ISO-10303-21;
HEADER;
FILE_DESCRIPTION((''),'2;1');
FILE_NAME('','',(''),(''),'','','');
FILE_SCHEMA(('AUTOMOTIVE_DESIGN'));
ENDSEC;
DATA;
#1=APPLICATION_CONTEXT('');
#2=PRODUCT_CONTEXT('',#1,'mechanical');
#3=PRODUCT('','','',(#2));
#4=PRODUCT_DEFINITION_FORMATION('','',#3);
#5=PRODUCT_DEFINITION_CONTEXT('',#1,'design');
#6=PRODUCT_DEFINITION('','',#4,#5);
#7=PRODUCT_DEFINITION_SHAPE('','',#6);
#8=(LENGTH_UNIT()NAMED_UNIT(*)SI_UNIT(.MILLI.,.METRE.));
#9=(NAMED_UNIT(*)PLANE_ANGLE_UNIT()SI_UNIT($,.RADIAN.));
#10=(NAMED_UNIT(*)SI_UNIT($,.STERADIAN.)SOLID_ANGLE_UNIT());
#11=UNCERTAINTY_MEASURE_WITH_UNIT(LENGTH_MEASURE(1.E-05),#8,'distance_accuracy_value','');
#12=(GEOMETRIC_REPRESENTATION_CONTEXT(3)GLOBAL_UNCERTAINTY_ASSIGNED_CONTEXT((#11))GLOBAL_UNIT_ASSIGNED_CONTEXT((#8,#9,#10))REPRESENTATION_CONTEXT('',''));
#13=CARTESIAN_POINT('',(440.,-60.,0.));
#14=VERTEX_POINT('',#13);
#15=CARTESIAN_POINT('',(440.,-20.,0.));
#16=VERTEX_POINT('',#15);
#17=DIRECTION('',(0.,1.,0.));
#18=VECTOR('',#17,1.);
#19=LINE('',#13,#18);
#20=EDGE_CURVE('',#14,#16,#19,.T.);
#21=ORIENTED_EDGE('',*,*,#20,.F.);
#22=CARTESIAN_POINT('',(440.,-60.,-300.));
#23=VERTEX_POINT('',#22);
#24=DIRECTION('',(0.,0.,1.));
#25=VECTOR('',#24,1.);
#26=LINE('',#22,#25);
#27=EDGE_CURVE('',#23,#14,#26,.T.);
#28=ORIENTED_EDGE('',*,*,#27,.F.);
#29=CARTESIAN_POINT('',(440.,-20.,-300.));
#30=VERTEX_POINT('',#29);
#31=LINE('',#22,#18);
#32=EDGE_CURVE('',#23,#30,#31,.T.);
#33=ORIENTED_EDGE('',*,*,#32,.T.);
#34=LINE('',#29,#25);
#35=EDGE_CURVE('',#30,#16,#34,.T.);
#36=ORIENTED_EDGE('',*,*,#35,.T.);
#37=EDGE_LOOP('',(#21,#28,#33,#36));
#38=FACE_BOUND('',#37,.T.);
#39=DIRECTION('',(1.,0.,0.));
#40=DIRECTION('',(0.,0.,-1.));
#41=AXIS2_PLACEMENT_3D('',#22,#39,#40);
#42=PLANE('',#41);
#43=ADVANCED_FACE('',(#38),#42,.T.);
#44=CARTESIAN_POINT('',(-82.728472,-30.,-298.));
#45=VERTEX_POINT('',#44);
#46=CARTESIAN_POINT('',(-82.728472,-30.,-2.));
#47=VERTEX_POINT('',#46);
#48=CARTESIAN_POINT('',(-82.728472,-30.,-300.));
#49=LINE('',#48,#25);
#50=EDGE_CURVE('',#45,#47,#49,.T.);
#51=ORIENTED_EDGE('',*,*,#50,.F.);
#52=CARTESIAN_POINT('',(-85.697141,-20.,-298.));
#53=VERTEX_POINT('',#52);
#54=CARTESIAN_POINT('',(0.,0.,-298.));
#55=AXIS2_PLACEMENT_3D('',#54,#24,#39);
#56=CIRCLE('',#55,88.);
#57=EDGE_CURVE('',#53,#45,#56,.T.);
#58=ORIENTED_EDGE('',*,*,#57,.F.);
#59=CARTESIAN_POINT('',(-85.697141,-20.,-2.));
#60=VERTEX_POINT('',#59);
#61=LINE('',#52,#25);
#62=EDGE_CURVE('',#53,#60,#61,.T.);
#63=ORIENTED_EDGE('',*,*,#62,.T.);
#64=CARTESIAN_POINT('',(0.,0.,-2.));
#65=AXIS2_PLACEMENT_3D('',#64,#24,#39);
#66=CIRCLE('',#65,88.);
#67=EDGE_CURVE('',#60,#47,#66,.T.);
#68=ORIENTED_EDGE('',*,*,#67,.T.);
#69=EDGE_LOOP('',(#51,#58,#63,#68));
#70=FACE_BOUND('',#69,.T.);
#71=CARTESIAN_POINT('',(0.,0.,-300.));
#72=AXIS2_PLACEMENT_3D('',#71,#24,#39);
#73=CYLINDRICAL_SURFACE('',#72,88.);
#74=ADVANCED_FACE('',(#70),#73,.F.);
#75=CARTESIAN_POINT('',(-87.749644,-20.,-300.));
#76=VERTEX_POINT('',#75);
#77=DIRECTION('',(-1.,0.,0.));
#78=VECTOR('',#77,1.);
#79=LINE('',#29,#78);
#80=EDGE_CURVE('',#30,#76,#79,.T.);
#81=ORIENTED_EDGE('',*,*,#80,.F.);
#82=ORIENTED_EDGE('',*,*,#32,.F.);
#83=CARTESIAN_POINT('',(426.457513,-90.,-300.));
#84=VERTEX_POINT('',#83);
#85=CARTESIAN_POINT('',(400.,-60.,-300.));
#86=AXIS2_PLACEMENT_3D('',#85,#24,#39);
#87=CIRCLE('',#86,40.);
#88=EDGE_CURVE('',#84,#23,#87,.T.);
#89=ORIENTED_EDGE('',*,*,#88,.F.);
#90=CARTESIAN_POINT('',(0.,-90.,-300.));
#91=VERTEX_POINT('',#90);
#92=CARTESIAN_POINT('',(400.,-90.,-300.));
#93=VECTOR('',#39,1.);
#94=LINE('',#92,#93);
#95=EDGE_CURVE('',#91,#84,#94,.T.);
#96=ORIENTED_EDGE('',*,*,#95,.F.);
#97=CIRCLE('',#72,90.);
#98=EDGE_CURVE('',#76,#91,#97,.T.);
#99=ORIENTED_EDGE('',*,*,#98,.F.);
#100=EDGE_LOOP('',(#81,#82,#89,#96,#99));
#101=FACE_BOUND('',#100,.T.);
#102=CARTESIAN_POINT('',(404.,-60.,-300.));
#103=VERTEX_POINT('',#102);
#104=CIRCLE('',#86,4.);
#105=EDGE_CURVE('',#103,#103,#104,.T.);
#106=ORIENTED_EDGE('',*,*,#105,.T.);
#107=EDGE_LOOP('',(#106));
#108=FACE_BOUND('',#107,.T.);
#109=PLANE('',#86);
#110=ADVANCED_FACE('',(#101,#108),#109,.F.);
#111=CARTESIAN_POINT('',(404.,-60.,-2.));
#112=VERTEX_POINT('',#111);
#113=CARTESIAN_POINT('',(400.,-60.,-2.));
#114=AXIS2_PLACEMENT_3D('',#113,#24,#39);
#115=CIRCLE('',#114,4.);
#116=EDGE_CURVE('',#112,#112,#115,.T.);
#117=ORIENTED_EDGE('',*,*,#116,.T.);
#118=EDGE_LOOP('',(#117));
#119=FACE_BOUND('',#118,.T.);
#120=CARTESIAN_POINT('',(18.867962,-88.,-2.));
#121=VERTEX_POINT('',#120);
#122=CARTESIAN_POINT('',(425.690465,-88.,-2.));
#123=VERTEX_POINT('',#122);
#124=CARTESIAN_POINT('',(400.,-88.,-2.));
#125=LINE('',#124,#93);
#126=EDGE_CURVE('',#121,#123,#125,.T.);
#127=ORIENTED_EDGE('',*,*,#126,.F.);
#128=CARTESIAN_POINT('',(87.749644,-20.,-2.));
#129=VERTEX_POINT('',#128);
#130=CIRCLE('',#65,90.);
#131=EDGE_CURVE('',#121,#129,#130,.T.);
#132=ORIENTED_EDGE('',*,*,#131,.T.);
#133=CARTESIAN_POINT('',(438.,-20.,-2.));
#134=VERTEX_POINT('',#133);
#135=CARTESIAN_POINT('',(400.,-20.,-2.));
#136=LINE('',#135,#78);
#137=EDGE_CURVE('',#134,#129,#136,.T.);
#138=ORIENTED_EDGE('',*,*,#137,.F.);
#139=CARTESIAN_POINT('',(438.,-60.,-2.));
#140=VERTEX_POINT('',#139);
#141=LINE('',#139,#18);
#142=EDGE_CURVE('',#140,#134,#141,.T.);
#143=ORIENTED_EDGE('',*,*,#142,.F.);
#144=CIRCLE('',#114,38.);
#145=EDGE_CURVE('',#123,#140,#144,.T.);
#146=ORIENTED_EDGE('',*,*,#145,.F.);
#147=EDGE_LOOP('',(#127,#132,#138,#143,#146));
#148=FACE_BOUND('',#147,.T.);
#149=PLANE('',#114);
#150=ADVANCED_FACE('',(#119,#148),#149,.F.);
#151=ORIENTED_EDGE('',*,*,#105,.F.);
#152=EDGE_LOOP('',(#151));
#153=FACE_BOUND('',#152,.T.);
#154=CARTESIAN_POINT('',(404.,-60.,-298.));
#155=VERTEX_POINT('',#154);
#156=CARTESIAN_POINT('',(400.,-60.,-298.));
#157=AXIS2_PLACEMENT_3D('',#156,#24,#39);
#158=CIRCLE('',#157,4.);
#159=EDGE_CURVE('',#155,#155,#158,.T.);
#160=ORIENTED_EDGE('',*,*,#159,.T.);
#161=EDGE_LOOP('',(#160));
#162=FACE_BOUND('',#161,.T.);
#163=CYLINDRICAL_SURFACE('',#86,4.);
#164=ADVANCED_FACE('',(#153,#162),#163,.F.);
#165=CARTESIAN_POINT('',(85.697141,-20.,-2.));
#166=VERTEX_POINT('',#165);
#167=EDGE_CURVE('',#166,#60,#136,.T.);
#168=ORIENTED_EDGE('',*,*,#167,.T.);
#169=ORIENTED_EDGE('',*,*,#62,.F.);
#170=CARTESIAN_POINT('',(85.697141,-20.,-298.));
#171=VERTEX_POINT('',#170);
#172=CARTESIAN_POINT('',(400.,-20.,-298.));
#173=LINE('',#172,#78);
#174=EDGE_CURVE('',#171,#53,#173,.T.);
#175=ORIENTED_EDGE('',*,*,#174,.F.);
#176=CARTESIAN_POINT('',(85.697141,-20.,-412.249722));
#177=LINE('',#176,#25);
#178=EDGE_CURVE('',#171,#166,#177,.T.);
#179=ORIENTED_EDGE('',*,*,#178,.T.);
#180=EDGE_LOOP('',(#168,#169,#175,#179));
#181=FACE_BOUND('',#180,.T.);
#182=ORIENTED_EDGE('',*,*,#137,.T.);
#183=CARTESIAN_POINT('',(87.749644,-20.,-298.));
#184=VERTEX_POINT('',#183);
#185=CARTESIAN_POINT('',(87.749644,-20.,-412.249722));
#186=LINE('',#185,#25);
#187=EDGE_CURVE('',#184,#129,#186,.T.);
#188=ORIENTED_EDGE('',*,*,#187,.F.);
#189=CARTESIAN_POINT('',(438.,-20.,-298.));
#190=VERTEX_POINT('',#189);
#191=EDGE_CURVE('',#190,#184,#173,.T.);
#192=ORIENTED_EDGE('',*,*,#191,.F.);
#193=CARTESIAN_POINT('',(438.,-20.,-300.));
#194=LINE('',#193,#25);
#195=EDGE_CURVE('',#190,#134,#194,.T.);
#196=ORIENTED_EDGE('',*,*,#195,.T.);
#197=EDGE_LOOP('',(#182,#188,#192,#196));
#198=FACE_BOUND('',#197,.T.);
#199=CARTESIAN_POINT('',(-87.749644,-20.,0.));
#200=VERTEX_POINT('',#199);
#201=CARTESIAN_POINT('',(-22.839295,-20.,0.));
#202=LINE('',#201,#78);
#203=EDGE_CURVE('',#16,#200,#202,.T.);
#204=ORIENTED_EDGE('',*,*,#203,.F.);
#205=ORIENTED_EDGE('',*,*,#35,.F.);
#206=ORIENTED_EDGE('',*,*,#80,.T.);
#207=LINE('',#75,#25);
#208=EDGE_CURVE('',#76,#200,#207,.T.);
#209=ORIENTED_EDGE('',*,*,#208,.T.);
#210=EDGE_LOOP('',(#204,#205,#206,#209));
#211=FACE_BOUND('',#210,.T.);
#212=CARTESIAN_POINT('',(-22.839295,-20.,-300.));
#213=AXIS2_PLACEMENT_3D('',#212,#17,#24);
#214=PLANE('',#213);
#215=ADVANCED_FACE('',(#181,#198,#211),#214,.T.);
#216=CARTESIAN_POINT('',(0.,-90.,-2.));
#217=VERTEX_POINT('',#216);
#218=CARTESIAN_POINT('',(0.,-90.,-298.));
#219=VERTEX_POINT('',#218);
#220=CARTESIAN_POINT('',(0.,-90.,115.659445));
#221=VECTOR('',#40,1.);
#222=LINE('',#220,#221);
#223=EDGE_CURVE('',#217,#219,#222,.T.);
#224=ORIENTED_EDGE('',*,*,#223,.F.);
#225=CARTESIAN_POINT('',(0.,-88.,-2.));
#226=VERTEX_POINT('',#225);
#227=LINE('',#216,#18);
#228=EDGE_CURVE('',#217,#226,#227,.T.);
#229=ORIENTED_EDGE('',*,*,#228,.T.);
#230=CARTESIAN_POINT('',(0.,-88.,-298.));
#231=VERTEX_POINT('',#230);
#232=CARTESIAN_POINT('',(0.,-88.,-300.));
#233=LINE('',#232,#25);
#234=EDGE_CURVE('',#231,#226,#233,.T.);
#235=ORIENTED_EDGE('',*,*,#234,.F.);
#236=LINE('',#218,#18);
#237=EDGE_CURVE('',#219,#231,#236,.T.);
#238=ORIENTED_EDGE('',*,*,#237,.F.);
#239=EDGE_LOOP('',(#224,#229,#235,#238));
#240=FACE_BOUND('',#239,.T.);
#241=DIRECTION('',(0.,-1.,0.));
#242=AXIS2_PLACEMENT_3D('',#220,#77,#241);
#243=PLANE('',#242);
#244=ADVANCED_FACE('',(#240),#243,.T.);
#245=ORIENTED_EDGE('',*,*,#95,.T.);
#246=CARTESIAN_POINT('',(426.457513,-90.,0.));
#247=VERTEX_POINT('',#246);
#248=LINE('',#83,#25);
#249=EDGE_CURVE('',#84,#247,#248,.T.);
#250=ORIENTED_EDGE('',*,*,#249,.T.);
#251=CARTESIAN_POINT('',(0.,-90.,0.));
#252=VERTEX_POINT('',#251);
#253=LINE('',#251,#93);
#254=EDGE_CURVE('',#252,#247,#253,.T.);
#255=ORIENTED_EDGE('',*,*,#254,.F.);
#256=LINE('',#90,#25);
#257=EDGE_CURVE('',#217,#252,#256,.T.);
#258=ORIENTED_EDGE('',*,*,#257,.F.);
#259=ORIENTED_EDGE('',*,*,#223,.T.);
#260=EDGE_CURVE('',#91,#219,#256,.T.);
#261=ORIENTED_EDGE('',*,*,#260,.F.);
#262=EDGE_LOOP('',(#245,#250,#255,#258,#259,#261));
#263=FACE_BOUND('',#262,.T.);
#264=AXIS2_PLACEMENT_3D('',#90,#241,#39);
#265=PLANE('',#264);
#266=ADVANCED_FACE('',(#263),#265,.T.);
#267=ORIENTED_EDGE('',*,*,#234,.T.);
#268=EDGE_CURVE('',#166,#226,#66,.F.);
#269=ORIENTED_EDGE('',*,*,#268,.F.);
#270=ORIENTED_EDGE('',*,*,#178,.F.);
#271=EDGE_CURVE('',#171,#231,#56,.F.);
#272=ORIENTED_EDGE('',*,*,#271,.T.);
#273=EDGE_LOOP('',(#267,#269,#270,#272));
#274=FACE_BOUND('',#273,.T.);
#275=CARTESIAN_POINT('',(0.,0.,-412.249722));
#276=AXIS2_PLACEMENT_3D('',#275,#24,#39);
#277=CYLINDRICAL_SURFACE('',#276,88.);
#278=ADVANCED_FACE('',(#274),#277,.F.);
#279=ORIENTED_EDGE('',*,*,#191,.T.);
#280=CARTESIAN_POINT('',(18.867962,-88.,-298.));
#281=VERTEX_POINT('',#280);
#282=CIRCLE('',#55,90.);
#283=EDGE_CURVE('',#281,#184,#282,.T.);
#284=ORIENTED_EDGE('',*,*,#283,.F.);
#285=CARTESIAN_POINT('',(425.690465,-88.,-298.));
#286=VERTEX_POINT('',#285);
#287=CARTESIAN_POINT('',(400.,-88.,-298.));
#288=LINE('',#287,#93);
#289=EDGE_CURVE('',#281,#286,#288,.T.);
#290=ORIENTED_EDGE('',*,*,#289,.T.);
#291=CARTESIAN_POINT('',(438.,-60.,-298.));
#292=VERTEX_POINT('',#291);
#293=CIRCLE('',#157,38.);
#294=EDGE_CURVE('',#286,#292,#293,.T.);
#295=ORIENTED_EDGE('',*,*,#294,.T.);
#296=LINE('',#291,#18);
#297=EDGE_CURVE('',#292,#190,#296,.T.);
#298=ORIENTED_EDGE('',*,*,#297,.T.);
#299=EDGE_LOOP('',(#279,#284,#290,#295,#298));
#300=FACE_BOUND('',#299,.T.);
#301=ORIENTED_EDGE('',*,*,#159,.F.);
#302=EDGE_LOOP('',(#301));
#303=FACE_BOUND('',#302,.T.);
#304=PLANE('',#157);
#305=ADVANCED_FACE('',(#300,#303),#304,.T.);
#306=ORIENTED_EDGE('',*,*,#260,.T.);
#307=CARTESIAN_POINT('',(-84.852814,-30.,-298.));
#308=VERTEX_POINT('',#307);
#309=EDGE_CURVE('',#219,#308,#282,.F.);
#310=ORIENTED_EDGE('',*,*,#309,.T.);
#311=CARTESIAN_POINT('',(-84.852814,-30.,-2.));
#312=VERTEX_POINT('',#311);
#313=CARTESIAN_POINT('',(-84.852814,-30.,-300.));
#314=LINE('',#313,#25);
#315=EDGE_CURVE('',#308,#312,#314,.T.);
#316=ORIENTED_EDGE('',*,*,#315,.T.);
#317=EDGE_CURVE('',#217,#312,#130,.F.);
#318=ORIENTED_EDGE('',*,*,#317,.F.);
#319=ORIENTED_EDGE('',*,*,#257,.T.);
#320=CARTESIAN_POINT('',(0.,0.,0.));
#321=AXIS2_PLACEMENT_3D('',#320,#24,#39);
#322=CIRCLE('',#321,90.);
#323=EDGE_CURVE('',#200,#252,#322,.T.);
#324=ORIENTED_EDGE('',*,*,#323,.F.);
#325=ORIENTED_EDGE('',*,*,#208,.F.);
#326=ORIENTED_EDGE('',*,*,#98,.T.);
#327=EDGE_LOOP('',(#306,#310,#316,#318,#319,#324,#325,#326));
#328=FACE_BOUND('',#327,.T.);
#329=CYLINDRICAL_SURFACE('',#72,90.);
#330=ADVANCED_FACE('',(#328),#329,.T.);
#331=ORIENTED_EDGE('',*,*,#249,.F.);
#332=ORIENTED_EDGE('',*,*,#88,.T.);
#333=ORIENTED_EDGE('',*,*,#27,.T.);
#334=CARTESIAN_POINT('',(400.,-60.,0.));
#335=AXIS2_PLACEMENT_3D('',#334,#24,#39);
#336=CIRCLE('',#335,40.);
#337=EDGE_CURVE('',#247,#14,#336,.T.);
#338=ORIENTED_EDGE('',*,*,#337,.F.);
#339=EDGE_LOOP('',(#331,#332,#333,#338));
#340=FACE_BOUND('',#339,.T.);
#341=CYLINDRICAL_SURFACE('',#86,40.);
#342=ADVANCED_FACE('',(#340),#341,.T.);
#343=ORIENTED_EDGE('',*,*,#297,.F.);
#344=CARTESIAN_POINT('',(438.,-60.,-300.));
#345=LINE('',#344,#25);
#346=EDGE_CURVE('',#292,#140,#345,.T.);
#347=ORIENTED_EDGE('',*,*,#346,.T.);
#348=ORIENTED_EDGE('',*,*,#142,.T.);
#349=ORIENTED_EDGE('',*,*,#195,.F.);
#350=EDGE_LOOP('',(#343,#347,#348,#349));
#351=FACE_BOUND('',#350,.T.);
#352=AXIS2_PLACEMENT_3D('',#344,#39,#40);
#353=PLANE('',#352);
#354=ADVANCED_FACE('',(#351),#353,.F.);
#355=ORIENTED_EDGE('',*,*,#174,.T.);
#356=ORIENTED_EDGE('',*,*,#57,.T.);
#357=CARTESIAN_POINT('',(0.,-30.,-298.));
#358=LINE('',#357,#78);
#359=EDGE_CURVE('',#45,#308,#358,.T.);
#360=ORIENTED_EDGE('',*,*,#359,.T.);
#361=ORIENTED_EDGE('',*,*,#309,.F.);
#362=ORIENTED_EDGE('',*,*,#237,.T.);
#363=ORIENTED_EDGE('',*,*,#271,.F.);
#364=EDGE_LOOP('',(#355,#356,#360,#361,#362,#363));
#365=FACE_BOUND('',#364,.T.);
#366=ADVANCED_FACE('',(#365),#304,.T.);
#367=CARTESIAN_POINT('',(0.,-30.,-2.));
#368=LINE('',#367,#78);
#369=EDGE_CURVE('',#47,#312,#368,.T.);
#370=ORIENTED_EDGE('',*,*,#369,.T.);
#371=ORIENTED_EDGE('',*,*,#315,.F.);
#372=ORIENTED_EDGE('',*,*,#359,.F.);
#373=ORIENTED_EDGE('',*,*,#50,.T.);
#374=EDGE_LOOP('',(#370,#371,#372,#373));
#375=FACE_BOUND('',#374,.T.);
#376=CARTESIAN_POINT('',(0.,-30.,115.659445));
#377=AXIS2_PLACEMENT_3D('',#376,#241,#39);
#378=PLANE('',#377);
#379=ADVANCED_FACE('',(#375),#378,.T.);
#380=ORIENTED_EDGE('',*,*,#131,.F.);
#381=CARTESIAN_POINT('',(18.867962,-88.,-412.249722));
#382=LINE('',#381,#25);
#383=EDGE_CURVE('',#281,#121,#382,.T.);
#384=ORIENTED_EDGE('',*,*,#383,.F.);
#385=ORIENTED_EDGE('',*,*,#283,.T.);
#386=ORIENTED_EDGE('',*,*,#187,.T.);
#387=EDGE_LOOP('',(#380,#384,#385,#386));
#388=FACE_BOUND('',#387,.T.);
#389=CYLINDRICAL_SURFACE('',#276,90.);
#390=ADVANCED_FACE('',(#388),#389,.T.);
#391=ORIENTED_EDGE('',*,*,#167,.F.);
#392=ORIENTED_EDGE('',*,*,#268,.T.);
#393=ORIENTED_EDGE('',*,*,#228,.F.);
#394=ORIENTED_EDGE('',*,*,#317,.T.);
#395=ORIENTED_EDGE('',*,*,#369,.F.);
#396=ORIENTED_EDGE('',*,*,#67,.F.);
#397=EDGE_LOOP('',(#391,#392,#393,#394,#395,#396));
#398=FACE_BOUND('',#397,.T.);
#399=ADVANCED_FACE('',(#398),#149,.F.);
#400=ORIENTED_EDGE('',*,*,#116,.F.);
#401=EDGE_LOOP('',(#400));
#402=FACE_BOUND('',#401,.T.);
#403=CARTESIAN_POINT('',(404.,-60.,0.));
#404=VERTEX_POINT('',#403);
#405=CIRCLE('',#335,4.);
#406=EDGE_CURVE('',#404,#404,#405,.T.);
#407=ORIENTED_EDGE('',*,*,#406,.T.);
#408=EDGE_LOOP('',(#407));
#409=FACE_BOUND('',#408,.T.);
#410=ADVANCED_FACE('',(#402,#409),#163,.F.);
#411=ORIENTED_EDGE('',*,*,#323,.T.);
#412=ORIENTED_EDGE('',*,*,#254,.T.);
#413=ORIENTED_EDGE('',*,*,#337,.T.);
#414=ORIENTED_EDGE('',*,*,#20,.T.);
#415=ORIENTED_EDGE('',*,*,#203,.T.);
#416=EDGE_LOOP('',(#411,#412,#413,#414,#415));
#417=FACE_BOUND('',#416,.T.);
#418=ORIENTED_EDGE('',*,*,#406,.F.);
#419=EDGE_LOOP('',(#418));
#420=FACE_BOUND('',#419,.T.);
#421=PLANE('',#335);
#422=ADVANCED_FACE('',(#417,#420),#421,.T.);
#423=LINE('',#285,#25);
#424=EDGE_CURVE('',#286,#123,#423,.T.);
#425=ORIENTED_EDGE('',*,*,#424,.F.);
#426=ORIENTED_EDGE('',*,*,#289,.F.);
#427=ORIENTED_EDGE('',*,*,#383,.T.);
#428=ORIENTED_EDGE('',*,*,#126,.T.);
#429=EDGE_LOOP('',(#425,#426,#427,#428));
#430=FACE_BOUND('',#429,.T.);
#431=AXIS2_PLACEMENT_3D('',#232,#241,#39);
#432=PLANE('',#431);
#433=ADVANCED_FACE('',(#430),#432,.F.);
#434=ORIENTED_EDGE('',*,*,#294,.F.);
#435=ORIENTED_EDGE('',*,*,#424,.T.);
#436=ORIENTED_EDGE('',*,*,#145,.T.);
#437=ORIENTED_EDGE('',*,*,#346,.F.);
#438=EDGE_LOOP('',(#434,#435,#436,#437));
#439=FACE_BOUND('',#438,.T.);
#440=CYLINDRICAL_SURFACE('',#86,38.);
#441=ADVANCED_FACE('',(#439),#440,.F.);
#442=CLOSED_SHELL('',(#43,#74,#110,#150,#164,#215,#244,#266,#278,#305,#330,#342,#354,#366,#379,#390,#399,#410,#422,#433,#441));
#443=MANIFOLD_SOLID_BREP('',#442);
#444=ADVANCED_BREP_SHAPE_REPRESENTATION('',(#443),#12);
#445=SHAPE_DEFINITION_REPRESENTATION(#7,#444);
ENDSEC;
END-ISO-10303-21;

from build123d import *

# Parameters (mm, degrees)
EXTRUDE_1_DEPTH          = 300
SHELL_1_T                = -2
SKETCH_3_W               = 101.211387706
SKETCH_3_H               = 60
CUT_EXTRUDE_1_DEPTH      = 296
EXTRUDE_2_DEPTH          = 300
CUT_EXTRUDE_2_DEPTH      = 541.092584656
CUT_EXTRUDE_2_DEPTH_BACK = 541.092584656
SKETCH_6_R               = 4


with BuildPart() as part:
    # 草图1 → 凸台-拉伸1 (new body)
    with BuildSketch(Plane.XY):
        with BuildLine():
            Line((-22.839294621, -20), (-87.749643874, -20))
            ThreePointArc((-87.749643874, -20), (-56.124860802, -70.356236397), (0, -90))
            Line((0, -90), (400, -90))
            Line((400, -90), (426.457513111, -90))
            ThreePointArc((426.457513111, -90), (436.457513111, -76.457513111), (440, -60))
            Line((440, -60), (440, -20))
            Line((440, -20), (400, -20))
            Line((400, -20), (-22.839294621, -20))
        make_face()
    extrude(amount=-EXTRUDE_1_DEPTH)

    # 抽壳1
    shell_1_openings = [part.faces().sort_by_distance(p)[0] for p in [
        (176.125178063, -20, -150),
    ]]
    offset(amount=SHELL_1_T, openings=shell_1_openings, kind=Kind.INTERSECTION)

    # 草图3 → 切除-拉伸1 (cut)
    with BuildSketch(Plane.XY.offset(-298)):
        with Locations((-50.605693853, -60)):
            Rectangle(SKETCH_3_W, SKETCH_3_H)
    extrude(amount=CUT_EXTRUDE_1_DEPTH, mode=Mode.SUBTRACT)

    # 草图4 → 凸台-拉伸2 (add)
    with BuildSketch(Plane.XY):
        with BuildLine():
            Line((85.697141143, -20), (87.749643874, -20))
            ThreePointArc((87.749643874, -20), (56.124860802, -70.356236397), (0, -90))
            Line((0, -90), (0, -88))
            ThreePointArc((0, -88), (54.699177325, -68.934751758), (85.697141143, -20))
        make_face()
    extrude(amount=-EXTRUDE_2_DEPTH)

    # 草图6 → 切除-拉伸2 (cut, two sides: drawn at the far end of the back side and taken through both)
    with BuildSketch(Plane.XY.offset(-CUT_EXTRUDE_2_DEPTH_BACK)):
        with Locations((400, -60)):
            Circle(SKETCH_6_R)
    extrude(amount=CUT_EXTRUDE_2_DEPTH + CUT_EXTRUDE_2_DEPTH_BACK, mode=Mode.SUBTRACT)


solid = part.part
